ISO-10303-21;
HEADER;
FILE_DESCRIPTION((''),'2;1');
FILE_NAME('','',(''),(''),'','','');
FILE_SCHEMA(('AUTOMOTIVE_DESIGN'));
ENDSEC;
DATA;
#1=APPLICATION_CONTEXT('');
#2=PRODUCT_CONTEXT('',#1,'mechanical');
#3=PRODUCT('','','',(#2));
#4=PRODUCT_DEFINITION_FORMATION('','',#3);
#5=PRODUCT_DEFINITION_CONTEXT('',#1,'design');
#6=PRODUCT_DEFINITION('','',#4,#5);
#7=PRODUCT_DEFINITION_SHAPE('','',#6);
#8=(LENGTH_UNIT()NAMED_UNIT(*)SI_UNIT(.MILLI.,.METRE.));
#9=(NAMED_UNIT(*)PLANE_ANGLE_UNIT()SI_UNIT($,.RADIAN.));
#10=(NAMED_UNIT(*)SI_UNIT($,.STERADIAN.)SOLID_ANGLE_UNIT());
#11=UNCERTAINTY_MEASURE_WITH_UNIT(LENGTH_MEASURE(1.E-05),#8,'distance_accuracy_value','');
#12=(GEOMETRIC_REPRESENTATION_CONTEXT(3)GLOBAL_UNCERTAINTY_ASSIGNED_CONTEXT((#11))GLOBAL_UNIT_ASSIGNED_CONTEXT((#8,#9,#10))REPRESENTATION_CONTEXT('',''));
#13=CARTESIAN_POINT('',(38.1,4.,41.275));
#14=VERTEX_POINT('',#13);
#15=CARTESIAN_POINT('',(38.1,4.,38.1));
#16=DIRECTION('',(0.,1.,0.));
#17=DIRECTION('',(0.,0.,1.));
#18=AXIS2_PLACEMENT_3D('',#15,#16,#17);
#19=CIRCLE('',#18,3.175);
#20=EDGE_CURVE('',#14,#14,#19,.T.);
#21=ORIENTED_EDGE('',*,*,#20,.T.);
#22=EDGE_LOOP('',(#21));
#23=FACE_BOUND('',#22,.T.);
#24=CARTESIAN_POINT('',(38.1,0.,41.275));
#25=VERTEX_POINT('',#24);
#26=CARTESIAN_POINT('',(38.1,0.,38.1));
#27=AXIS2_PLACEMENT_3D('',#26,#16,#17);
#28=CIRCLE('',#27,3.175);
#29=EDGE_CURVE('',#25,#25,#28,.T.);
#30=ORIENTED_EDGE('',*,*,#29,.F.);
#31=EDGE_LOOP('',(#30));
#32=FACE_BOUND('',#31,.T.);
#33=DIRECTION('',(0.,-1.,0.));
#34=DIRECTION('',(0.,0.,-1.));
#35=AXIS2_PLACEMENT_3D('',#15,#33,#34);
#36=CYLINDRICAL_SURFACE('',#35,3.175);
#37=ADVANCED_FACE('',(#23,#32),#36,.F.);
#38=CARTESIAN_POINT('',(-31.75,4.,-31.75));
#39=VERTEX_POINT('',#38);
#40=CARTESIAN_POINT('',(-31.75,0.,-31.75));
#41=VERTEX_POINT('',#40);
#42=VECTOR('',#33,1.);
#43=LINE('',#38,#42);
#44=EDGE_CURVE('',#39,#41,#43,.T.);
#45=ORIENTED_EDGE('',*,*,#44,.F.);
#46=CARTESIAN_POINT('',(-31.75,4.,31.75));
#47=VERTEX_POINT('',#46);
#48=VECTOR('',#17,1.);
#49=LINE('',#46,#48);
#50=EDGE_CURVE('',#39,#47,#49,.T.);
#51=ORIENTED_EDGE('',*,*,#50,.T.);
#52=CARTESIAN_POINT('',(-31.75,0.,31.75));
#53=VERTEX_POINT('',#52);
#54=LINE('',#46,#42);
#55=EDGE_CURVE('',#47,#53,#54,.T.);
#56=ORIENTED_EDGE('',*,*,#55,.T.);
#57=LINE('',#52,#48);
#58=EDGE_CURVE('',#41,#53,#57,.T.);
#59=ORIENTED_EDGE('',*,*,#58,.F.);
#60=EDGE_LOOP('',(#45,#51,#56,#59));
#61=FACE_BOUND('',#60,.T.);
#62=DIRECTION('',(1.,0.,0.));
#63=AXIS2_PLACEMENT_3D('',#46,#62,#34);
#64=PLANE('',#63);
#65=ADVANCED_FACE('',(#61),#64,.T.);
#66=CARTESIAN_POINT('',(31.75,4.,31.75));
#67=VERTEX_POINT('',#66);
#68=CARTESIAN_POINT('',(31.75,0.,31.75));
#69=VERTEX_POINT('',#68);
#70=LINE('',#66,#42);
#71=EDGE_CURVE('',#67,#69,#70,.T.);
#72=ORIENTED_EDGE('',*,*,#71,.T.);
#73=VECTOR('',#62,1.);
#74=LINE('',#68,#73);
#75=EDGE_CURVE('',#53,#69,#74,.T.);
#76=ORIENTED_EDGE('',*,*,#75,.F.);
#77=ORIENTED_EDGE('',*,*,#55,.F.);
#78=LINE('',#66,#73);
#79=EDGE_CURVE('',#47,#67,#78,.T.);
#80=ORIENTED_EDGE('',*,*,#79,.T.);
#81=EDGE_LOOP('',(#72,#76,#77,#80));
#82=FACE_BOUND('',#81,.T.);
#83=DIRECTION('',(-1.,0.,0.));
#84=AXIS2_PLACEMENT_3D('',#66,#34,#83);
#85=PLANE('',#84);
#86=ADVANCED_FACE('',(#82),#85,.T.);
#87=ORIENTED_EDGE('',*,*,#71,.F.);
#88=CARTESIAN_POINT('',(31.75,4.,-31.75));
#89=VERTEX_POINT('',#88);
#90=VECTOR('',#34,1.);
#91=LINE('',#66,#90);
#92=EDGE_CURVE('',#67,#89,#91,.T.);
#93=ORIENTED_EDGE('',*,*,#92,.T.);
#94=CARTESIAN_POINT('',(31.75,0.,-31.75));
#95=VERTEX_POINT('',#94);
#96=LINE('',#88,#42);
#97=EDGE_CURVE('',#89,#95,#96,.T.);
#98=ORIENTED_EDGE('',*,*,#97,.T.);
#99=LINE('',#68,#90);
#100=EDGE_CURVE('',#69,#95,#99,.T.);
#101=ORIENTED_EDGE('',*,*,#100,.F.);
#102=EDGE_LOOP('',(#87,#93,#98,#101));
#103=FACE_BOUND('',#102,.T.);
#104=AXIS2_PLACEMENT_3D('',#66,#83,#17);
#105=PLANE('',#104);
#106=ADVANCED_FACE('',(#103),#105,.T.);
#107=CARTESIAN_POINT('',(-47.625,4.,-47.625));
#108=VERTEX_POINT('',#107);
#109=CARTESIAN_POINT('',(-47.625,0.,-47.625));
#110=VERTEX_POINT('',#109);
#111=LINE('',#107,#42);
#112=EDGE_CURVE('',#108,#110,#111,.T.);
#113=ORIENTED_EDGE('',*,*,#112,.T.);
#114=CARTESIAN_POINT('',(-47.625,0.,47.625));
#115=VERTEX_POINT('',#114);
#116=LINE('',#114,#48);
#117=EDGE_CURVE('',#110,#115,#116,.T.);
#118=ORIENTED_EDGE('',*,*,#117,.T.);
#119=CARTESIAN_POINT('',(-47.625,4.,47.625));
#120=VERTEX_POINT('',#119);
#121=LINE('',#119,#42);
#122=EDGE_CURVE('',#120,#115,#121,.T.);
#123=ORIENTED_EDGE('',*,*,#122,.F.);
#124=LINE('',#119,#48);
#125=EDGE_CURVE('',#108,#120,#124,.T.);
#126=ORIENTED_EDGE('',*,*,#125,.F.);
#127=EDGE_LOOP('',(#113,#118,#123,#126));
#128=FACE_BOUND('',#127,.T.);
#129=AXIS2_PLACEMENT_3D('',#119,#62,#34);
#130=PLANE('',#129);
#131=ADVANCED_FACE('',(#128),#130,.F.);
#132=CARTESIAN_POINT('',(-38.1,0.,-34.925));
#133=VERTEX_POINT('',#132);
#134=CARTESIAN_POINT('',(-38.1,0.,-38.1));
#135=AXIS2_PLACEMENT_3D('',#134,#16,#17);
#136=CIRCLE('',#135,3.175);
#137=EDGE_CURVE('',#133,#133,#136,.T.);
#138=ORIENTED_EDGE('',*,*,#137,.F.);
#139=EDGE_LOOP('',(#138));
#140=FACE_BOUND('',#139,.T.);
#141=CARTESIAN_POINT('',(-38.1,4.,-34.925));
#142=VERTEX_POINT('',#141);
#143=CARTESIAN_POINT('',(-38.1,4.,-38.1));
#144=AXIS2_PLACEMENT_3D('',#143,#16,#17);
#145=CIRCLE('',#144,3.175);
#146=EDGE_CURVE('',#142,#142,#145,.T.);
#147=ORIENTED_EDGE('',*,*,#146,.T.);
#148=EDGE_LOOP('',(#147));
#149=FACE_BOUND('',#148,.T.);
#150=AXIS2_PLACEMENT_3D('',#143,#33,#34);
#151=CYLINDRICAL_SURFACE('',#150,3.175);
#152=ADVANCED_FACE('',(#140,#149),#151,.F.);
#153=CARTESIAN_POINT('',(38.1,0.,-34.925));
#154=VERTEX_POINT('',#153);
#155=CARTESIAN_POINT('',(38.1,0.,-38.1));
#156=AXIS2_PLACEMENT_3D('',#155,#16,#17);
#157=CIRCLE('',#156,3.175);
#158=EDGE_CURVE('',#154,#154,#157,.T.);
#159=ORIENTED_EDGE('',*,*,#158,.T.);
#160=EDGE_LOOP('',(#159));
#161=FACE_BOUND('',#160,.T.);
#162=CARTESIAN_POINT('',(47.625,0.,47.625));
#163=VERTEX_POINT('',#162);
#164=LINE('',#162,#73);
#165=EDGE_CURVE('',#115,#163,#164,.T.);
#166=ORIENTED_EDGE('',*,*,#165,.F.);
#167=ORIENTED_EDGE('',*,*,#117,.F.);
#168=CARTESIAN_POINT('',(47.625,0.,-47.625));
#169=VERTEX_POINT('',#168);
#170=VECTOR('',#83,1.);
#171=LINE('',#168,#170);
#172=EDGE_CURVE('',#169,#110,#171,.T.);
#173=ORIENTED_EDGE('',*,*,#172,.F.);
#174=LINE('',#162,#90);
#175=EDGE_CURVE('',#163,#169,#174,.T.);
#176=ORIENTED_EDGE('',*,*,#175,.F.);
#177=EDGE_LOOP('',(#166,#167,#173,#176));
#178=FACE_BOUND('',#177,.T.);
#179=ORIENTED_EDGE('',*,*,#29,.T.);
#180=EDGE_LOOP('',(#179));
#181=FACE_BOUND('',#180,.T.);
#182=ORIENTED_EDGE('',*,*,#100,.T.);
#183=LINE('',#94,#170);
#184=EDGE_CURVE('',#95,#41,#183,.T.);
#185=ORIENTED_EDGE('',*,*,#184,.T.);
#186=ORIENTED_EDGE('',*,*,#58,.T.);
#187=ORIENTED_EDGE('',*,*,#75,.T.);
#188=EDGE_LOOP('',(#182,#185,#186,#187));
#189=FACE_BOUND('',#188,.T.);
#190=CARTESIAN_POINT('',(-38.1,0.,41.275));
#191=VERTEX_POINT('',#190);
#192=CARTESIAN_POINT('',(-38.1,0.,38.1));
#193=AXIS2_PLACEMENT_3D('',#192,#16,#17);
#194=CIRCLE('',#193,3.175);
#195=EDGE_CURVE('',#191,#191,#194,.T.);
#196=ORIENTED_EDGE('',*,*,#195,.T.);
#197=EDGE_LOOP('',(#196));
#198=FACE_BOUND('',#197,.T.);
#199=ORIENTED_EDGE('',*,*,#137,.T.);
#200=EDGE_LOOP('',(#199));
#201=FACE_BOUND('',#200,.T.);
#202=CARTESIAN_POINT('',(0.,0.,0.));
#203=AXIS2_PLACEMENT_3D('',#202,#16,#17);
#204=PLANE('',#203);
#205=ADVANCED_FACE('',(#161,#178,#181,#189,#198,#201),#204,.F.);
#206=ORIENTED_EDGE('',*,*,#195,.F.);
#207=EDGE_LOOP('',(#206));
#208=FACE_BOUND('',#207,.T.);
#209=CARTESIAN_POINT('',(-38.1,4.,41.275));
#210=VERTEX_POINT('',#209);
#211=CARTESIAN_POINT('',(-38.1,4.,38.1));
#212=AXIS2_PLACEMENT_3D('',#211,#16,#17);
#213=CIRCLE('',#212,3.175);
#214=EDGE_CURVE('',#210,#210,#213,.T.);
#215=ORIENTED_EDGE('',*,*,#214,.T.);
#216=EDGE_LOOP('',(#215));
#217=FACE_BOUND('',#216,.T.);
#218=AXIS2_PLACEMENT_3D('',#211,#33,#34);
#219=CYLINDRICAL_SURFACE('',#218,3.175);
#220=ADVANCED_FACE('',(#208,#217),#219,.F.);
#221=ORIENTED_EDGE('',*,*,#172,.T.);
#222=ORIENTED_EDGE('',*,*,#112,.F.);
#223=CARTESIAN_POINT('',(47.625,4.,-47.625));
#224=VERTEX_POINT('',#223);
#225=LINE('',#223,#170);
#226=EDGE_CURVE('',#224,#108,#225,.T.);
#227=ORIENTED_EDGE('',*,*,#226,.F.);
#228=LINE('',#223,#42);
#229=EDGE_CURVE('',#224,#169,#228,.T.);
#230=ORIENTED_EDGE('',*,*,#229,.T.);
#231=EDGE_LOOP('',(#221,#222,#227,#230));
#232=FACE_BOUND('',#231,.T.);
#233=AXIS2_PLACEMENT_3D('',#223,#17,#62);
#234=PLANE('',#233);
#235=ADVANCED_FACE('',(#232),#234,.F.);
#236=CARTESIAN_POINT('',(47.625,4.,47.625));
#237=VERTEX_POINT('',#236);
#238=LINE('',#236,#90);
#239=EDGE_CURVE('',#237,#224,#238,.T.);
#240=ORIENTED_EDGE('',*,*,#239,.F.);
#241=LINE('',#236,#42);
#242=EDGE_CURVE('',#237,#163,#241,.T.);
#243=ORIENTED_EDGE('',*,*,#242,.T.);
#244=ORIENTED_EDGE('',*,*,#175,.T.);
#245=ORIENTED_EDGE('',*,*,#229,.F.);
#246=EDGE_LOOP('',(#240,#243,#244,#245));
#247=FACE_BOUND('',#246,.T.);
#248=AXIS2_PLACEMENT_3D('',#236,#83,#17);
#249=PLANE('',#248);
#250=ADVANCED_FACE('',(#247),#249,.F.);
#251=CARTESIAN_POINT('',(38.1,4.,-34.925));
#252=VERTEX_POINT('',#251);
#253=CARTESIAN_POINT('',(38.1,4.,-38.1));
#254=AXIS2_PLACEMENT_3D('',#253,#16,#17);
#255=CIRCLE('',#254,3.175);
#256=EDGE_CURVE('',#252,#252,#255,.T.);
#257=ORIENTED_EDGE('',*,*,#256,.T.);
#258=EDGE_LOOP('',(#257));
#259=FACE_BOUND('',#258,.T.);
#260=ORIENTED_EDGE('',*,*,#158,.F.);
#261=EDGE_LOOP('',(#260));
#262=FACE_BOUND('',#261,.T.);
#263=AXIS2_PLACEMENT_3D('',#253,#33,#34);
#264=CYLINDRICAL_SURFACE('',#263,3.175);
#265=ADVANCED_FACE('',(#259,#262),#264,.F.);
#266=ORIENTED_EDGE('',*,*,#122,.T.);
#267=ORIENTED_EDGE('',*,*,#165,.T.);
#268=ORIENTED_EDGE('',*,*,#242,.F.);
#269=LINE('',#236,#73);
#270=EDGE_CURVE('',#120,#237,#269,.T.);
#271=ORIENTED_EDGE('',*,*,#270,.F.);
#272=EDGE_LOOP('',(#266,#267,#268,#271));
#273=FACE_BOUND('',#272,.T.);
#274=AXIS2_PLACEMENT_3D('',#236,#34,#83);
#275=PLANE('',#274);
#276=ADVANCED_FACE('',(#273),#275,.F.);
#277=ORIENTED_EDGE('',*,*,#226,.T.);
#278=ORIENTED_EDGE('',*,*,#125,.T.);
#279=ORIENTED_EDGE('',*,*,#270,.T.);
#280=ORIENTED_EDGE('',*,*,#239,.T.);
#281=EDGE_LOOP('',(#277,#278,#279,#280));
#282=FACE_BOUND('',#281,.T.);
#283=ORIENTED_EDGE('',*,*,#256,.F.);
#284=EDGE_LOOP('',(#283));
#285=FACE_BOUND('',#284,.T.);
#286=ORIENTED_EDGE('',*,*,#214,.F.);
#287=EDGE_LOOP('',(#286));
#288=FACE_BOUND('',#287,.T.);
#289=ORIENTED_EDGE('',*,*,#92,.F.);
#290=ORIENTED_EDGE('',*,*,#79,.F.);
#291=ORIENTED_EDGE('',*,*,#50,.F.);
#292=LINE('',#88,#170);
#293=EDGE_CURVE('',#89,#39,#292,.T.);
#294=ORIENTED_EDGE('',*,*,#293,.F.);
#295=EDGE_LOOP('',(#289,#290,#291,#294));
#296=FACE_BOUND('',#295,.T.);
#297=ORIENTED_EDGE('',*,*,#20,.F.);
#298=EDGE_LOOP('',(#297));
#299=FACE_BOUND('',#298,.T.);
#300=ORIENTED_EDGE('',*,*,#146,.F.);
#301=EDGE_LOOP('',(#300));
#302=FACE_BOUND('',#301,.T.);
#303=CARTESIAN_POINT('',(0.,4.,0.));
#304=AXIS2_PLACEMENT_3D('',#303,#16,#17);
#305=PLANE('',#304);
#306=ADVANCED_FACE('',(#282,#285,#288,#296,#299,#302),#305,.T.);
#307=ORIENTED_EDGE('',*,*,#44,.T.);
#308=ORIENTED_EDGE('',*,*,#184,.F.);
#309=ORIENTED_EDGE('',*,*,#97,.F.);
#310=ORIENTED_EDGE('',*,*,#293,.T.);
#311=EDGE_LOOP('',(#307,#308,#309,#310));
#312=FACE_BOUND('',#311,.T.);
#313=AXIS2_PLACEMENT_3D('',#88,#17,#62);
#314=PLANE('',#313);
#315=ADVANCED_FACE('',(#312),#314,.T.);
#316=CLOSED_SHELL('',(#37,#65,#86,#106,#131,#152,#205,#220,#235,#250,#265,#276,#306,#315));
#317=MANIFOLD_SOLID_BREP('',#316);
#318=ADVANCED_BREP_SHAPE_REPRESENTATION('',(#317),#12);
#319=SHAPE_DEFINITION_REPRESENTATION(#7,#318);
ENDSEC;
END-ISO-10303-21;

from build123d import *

# Parameters (mm, degrees)
SKETCH1_W           = 95.25
SKETCH1_H           = 95.25
SKETCH1_R           = 3.175
SKETCH1_W_2         = 63.5
SKETCH1_H_2         = 63.5
BOSS_EXTRUDE1_DEPTH = 4


with BuildPart() as part:
    # Sketch1 → Boss-Extrude1 (new body)
    with BuildSketch(Plane(origin=(0, 0, 0), x_dir=(1, 0, 0), z_dir=(0, 1, 0))):
        Rectangle(SKETCH1_W, SKETCH1_H)
        with Locations((-38.1, 38.1)):
            Circle(SKETCH1_R, mode=Mode.SUBTRACT)
        with Locations((38.1, 38.1)):
            Circle(SKETCH1_R, mode=Mode.SUBTRACT)
        with Locations((38.1, -38.1)):
            Circle(SKETCH1_R, mode=Mode.SUBTRACT)
        with Locations((-38.1, -38.1)):
            Circle(SKETCH1_R, mode=Mode.SUBTRACT)
        Rectangle(SKETCH1_W_2, SKETCH1_H_2, mode=Mode.SUBTRACT)
    extrude(amount=BOSS_EXTRUDE1_DEPTH)


solid = part.part
